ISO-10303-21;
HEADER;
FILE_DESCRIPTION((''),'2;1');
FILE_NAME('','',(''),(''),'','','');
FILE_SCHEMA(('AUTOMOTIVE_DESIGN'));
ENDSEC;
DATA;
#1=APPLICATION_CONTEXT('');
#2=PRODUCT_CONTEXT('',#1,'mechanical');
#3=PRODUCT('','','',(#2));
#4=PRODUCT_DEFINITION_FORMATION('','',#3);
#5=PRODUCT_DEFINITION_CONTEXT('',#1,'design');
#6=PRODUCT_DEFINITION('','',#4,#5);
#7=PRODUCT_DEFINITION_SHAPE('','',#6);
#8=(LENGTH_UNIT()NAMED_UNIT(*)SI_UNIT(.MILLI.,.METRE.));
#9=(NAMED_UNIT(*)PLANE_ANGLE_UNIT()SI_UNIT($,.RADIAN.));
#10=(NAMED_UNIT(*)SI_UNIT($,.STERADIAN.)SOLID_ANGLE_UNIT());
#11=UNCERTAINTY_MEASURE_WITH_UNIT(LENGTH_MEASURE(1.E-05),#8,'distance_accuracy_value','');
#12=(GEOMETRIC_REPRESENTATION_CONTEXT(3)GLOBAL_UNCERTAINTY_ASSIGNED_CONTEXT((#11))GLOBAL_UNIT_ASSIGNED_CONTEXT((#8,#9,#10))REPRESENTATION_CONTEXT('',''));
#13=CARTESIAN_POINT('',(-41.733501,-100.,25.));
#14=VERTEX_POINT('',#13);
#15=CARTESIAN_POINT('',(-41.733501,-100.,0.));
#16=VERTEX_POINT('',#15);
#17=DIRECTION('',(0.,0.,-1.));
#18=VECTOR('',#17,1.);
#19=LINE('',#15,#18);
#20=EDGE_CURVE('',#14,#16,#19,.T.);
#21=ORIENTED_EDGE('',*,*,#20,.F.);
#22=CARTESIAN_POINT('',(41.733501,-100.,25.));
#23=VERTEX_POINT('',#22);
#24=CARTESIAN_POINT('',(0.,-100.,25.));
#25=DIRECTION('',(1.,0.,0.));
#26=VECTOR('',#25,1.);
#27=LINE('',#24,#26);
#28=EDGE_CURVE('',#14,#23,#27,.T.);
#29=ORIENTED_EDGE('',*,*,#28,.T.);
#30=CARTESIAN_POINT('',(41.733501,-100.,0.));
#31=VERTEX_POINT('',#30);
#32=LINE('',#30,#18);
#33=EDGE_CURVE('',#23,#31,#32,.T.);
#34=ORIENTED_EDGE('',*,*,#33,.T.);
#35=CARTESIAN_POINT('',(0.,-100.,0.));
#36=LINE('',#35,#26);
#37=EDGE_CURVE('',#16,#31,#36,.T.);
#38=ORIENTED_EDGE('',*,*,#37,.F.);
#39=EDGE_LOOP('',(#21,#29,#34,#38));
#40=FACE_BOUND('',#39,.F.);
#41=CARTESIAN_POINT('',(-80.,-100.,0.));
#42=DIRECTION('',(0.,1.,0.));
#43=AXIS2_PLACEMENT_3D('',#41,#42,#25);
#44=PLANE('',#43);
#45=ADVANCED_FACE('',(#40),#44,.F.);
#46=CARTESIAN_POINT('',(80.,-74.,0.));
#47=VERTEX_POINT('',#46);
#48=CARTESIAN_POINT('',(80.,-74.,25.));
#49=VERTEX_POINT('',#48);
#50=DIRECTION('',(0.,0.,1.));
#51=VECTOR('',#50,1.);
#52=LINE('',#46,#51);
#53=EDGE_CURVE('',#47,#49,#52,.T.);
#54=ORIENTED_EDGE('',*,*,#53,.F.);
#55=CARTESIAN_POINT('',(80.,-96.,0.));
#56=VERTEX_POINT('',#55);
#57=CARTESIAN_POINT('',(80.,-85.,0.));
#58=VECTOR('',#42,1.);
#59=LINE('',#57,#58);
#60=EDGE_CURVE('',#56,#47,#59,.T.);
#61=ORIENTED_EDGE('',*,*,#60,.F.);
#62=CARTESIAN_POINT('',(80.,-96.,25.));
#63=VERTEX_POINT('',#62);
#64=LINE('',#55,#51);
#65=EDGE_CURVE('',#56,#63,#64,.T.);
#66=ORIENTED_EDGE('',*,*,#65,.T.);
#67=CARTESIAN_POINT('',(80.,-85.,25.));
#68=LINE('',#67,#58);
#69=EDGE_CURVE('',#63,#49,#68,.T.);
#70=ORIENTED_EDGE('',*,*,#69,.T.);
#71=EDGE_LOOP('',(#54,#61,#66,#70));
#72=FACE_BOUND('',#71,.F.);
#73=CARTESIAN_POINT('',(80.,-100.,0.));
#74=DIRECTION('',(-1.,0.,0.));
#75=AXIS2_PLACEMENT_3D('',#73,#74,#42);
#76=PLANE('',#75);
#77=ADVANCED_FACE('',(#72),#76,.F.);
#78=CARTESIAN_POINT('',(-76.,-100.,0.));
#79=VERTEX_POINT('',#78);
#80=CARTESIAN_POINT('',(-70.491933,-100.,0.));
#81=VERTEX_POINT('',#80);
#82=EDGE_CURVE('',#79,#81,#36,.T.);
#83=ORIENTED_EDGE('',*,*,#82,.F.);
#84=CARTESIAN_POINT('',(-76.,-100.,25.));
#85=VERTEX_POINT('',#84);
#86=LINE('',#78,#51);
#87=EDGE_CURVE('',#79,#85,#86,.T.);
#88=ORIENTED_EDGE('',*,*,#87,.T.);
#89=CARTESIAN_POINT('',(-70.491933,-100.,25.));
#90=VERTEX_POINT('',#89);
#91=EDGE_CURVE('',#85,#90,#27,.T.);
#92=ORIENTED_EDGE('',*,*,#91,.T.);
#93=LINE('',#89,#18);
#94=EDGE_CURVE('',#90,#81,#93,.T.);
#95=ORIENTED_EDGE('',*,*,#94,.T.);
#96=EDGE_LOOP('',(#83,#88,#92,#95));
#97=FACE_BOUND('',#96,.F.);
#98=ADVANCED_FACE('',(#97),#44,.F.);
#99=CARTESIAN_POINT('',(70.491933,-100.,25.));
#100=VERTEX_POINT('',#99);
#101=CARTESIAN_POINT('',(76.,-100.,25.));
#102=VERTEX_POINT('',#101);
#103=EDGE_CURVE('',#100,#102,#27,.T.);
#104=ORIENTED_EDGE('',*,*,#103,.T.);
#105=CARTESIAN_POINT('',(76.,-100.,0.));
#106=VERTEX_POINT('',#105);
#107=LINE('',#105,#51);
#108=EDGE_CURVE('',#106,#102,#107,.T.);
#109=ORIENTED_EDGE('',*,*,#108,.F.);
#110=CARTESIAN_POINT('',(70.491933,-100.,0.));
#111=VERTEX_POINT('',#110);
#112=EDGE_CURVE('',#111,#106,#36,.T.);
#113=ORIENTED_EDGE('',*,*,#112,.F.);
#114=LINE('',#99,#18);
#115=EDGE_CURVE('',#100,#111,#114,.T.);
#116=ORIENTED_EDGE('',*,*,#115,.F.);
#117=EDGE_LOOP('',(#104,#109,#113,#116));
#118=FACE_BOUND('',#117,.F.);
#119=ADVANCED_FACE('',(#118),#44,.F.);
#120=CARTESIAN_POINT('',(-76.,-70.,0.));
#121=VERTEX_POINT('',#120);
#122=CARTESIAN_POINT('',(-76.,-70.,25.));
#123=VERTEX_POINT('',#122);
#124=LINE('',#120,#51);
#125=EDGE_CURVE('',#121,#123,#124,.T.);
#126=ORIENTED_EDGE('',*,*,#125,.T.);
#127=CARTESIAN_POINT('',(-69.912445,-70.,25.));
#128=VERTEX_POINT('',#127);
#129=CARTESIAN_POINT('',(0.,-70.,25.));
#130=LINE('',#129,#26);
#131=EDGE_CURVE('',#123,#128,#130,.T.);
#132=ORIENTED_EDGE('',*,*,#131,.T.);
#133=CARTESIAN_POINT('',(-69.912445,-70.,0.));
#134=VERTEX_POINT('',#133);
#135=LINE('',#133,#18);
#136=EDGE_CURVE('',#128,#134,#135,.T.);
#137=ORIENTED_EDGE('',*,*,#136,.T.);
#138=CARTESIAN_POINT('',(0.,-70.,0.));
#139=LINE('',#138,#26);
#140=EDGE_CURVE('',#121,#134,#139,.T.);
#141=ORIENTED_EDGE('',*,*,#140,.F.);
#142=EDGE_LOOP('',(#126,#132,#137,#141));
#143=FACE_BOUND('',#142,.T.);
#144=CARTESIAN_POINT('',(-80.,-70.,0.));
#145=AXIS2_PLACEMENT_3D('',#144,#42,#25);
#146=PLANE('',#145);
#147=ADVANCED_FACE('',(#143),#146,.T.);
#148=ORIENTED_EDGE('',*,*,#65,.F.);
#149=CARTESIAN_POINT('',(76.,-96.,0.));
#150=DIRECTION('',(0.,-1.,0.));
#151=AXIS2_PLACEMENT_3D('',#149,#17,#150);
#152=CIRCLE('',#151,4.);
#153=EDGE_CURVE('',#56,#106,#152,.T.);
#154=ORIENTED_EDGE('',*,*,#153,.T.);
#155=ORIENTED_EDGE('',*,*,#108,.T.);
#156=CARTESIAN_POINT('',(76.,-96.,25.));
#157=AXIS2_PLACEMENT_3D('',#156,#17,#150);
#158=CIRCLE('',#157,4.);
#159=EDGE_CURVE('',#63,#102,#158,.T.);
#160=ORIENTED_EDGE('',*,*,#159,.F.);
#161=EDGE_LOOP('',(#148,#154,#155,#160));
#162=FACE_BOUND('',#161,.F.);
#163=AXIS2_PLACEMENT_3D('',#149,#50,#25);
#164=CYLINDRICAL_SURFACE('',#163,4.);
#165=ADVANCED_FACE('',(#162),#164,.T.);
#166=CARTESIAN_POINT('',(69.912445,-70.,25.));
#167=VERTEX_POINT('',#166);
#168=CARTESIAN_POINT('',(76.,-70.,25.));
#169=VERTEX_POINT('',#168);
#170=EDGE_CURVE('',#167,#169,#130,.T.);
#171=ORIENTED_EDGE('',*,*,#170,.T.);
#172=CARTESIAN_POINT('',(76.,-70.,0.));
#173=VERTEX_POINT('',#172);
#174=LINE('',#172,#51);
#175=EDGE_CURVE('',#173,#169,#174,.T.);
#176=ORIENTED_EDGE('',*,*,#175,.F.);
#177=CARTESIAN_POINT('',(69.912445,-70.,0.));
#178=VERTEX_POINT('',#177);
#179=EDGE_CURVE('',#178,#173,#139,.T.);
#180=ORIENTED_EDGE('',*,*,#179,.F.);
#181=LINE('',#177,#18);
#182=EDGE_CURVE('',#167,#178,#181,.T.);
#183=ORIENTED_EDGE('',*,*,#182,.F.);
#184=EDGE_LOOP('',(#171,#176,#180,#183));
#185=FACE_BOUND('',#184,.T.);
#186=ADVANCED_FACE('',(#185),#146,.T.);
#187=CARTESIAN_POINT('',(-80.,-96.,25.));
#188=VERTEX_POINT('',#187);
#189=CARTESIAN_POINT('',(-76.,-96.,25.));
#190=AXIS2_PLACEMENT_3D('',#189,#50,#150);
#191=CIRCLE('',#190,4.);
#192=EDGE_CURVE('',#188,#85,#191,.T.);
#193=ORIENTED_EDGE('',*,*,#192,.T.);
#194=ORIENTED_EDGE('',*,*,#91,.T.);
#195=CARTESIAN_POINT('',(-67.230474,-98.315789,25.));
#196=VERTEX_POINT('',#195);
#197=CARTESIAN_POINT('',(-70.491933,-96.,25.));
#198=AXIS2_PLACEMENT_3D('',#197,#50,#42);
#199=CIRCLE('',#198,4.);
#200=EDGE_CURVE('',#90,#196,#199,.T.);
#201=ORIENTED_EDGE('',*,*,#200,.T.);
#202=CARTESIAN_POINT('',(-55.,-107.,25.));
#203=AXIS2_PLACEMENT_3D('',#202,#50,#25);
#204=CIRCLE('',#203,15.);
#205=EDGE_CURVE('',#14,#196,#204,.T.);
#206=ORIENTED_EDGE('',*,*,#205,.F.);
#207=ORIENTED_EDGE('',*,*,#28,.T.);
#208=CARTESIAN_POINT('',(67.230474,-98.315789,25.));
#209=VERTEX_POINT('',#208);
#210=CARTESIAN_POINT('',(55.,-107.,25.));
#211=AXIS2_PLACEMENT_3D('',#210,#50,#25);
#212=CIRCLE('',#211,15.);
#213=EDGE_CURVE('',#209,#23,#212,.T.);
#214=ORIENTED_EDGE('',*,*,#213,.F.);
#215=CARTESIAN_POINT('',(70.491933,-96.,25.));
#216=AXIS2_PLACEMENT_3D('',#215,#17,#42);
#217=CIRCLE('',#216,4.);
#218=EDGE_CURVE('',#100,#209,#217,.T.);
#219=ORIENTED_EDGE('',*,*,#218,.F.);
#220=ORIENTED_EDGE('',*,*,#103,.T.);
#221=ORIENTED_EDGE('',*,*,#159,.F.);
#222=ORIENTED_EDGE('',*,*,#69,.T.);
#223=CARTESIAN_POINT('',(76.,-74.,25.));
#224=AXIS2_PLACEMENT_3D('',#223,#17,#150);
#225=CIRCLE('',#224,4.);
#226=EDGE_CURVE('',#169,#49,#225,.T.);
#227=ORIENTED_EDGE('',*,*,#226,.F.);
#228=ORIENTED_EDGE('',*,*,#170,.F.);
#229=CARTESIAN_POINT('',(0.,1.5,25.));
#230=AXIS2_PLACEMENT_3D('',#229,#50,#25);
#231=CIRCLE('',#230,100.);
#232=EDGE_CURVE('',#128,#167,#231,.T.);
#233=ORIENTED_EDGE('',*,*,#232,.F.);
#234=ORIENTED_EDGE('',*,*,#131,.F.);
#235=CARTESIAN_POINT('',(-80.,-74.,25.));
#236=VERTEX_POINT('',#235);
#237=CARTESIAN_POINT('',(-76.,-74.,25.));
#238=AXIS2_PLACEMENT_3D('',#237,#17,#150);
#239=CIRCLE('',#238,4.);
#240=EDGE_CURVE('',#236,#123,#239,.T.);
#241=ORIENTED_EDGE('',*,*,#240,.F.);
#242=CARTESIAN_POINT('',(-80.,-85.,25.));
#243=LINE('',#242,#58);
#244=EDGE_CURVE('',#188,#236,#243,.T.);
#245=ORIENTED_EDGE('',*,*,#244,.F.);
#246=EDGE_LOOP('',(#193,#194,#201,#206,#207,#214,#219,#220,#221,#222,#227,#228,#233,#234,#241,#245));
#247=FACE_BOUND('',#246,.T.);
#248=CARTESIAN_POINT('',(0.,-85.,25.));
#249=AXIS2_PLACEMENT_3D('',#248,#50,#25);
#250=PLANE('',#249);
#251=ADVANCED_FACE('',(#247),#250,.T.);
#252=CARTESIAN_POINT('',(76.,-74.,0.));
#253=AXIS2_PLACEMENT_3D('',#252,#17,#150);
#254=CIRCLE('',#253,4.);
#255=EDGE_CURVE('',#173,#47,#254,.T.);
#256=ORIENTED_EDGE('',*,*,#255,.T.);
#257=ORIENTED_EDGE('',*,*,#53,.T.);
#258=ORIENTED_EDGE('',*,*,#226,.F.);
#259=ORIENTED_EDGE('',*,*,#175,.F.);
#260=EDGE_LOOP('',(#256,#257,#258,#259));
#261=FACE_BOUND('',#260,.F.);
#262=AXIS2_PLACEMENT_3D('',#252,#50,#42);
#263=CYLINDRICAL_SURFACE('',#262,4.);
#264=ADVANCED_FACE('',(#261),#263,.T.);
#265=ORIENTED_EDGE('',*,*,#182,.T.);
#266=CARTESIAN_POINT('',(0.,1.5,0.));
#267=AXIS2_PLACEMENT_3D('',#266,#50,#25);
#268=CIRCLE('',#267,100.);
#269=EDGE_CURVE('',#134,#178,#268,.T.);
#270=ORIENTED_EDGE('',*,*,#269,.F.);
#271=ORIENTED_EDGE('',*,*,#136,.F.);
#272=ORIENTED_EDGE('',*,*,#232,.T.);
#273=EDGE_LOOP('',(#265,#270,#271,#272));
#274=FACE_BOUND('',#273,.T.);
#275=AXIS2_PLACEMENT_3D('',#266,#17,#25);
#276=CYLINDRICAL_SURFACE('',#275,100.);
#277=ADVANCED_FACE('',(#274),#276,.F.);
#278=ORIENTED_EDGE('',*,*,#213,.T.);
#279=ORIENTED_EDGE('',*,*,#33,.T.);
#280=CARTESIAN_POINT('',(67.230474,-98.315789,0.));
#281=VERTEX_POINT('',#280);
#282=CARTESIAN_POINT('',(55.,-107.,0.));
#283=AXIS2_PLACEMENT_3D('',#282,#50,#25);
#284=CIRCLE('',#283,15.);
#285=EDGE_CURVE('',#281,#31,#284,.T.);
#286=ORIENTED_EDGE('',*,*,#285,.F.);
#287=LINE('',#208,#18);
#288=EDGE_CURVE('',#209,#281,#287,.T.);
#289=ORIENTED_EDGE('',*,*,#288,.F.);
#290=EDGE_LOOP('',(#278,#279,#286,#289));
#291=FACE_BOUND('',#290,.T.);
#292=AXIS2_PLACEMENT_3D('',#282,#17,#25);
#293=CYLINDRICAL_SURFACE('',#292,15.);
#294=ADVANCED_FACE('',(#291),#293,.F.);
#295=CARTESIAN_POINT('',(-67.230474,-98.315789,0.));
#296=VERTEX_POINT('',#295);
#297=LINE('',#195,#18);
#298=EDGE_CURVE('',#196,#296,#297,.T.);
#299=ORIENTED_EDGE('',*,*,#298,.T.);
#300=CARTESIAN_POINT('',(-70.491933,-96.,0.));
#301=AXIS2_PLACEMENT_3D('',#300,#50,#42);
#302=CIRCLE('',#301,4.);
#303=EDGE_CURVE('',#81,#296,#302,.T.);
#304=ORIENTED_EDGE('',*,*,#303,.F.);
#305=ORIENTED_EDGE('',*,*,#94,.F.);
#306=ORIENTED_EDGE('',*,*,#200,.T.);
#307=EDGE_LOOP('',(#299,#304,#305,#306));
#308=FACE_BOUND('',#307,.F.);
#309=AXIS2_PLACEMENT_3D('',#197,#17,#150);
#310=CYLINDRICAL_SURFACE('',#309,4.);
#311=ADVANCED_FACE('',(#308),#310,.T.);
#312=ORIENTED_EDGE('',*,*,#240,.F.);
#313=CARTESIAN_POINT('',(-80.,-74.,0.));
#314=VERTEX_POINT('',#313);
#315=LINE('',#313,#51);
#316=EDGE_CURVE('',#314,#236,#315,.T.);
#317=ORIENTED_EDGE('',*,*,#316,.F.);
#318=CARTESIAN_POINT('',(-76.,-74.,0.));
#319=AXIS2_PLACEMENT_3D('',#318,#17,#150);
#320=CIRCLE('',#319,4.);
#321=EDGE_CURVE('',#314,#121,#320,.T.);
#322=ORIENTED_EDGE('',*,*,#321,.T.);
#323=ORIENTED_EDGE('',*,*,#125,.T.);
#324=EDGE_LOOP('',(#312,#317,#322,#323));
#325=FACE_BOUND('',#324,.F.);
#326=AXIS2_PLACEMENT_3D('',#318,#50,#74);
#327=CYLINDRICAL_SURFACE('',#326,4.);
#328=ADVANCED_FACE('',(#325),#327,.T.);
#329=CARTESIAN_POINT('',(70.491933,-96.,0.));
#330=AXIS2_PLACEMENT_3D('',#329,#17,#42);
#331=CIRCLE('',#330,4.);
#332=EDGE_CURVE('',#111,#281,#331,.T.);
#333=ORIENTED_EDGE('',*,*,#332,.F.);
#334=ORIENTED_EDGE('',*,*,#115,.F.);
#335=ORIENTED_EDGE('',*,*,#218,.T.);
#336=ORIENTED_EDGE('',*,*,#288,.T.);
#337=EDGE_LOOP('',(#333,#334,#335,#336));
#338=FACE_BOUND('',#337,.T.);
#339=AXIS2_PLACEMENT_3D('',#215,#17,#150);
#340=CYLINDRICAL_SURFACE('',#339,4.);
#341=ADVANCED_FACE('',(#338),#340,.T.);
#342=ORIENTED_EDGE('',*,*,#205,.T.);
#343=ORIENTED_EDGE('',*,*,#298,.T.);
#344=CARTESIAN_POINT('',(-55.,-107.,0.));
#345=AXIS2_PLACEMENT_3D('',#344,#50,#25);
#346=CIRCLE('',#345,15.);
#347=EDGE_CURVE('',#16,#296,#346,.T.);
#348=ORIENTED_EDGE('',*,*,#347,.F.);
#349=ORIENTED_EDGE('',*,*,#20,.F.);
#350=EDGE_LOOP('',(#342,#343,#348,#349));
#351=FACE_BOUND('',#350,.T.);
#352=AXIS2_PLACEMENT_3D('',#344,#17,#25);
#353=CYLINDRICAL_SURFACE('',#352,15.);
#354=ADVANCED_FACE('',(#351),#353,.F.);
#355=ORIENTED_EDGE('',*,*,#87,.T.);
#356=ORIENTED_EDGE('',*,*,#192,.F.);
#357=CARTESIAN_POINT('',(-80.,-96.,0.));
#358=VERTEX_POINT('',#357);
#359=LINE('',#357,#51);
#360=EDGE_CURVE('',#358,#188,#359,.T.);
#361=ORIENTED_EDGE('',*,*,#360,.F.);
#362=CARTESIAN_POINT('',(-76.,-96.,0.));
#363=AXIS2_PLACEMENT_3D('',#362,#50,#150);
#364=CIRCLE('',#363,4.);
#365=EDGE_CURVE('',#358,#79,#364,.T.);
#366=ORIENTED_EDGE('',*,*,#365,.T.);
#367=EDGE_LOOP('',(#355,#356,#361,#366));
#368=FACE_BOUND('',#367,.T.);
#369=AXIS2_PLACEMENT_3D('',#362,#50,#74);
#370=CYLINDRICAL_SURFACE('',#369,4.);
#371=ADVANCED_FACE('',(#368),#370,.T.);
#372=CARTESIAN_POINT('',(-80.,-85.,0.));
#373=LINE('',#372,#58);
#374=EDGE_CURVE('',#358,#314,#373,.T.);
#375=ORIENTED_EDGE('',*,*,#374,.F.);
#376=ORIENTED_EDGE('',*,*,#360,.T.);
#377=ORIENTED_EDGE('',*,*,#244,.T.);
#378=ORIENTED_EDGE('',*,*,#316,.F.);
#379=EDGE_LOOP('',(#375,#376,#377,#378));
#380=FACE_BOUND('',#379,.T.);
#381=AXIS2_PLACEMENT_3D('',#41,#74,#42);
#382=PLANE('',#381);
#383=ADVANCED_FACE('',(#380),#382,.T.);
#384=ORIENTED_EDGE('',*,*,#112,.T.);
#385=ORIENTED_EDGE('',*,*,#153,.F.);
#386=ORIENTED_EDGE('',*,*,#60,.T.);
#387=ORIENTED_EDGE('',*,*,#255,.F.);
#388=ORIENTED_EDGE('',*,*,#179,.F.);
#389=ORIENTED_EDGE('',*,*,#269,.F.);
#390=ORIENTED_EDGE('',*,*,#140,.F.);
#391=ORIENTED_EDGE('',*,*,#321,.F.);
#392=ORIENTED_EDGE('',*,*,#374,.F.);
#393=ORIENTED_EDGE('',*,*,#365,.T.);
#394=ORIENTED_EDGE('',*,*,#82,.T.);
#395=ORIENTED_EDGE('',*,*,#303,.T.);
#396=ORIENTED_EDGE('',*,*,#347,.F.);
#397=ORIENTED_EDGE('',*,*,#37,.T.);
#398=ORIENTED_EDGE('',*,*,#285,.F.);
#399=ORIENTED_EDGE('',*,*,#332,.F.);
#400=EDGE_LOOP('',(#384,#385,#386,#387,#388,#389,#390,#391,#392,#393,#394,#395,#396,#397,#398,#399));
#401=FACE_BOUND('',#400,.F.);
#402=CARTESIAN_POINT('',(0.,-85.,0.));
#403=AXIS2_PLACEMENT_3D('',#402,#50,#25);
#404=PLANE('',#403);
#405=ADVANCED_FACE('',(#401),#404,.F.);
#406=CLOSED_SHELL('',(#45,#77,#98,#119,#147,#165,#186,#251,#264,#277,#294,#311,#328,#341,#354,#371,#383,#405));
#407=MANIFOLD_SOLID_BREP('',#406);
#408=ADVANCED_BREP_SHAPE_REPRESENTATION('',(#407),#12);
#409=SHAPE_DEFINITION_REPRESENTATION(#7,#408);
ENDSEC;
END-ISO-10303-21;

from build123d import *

# Parameters (mm, degrees)
CYLINDER032_R     = 15
CYLINDER032_DEPTH = 25
CYLINDER030_R     = 100
CYLINDER030_DEPTH = 25
CYLINDER031_R     = 15
CYLINDER031_DEPTH = 25
BOX008_W          = 160
BOX008_H          = 30
BOX008_DEPTH      = 25
FILLET034_R       = 4


with BuildPart() as cylinder032:
    # Cylinder032 → Cylinder032 (new body)
    with BuildSketch(Plane(origin=(55, -107, 0), x_dir=(1, 0, 0), z_dir=(0, 0, 1))):
        Circle(CYLINDER032_R)
    extrude(amount=CYLINDER032_DEPTH)


with BuildPart() as cylinder030:
    # Cylinder030 → Cylinder030 (new body)
    with BuildSketch(Plane(origin=(0, 1.5, 0), x_dir=(1, 0, 0), z_dir=(0, 0, 1))):
        Circle(CYLINDER030_R)
    extrude(amount=CYLINDER030_DEPTH)


with BuildPart() as fusion013:
    # Cylinder031 → Cylinder031 (new body)
    with BuildSketch(Plane(origin=(-55, -107, 0), x_dir=(1, 0, 0), z_dir=(0, 0, 1))):
        Circle(CYLINDER031_R)
    extrude(amount=CYLINDER031_DEPTH)

    # Fusion013: union Cylinder032, Cylinder030
    add(cylinder032.part)
    add(cylinder030.part)


with BuildPart() as holder:
    # Box008 → Box008 (new body)
    with BuildSketch(Plane(origin=(-80, -100, 0), x_dir=(1, 0, 0), z_dir=(0, 0, 1))):
        with Locations((80, 15)):
            Rectangle(BOX008_W, BOX008_H)
    extrude(amount=BOX008_DEPTH)

    # Cut020: cut Fusion013
    add(fusion013.part, mode=Mode.SUBTRACT)

    # Fillet034
    fillet034_edges = [holder.edges().sort_by_distance(p)[0] for p in [
        (-80, -100, 12.5),
        (-80, -70, 12.5),
        (-68.266499, -100, 12.5),
        (80, -70, 12.5),
        (80, -100, 12.5),
        (68.266499, -100, 12.5),
    ]]
    fillet(fillet034_edges, radius=FILLET034_R)


solid = holder.part
